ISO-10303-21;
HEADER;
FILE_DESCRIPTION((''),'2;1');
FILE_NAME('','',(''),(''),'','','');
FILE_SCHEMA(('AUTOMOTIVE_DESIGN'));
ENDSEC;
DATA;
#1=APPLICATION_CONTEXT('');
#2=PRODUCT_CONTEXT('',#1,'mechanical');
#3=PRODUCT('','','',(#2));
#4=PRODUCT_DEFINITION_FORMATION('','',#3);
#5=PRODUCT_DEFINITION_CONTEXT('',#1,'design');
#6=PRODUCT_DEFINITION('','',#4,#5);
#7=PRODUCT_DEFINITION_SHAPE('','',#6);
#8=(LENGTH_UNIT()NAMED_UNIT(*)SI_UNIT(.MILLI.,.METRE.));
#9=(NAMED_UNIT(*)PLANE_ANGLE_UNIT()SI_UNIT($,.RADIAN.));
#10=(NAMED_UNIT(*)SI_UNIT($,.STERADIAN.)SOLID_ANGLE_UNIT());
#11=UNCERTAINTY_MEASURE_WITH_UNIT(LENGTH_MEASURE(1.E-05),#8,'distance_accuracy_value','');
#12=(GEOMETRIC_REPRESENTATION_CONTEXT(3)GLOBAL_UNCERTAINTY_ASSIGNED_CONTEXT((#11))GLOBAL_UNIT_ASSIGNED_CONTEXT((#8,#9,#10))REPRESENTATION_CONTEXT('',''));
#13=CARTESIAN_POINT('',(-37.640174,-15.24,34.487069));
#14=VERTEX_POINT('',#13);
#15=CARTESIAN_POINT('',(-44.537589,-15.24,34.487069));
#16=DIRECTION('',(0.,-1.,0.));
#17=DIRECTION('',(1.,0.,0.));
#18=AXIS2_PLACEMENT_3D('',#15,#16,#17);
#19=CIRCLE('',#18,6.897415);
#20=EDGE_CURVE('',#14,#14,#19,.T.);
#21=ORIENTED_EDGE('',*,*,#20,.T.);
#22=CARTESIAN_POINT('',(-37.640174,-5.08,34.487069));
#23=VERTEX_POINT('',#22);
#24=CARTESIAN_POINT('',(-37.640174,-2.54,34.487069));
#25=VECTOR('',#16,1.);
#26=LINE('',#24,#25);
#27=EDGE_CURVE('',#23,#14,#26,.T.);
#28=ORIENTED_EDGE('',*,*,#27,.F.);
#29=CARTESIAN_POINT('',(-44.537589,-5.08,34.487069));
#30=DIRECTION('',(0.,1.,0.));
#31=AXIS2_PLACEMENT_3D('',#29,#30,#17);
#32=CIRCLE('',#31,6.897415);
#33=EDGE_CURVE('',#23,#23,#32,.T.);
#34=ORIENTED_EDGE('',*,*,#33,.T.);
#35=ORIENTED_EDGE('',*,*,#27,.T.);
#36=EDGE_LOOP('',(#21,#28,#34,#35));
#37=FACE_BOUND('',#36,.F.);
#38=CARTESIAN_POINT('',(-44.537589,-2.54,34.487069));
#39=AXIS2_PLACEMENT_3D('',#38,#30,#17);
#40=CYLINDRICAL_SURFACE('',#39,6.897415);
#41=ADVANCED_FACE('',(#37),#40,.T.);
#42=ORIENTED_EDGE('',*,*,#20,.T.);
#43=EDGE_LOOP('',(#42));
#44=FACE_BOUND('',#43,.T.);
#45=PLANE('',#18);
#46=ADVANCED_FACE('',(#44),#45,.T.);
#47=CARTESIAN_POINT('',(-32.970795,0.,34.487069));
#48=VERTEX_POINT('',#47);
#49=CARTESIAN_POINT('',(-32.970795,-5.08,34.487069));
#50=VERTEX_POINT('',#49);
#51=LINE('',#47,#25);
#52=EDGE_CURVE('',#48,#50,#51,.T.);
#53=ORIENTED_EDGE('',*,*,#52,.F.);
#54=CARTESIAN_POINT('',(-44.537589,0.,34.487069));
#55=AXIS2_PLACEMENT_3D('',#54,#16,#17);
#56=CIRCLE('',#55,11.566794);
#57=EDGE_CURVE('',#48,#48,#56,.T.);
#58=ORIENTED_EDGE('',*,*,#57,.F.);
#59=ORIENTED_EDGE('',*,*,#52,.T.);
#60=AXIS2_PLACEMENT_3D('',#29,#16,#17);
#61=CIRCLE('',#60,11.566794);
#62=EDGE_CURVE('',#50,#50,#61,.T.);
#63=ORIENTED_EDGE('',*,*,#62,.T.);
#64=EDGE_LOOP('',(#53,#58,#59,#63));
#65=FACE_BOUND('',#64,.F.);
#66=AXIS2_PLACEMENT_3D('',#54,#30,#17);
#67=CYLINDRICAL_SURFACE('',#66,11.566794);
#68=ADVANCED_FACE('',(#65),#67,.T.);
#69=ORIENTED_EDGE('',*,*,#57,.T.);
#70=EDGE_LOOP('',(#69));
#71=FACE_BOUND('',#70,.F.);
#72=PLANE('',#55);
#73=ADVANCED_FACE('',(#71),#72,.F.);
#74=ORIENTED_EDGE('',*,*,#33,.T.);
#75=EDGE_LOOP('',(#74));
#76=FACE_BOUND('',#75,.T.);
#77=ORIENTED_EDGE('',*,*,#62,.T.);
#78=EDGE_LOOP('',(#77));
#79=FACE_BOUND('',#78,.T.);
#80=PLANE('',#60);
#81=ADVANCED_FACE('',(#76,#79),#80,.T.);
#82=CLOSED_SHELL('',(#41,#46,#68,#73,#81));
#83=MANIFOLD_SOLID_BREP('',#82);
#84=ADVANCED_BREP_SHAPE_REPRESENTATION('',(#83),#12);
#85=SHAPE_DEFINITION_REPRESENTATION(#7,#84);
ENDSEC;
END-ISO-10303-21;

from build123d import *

# Parameters (mm, degrees)
F0_R     = 11.566794
F1_DEPTH = 5.08
F2_R     = 6.495217
F3_DEPTH = 2.54
F4_R     = 6.897415
F5_DEPTH = 12.7


with BuildPart() as f1:
    # F0 (on Front) → F1 (new body)
    with BuildSketch(Plane.XZ):
        with Locations((-44.537589, 34.487069)):
            Circle(F0_R)
    extrude(amount=F1_DEPTH)

    # F2 (on face) → F3 (cut)
    with BuildSketch(Plane.XZ.offset(5.08)):
        with Locations((-44.537589, 34.487069)):
            Circle(F2_R)
    extrude(amount=-F3_DEPTH, mode=Mode.SUBTRACT)

    # F4 (on face) → F5 (join)
    with BuildSketch(Plane.XZ.offset(2.54)):
        with Locations((-44.537589, 34.487069)):
            Circle(F4_R)
    extrude(amount=F5_DEPTH)


solid = f1.part
